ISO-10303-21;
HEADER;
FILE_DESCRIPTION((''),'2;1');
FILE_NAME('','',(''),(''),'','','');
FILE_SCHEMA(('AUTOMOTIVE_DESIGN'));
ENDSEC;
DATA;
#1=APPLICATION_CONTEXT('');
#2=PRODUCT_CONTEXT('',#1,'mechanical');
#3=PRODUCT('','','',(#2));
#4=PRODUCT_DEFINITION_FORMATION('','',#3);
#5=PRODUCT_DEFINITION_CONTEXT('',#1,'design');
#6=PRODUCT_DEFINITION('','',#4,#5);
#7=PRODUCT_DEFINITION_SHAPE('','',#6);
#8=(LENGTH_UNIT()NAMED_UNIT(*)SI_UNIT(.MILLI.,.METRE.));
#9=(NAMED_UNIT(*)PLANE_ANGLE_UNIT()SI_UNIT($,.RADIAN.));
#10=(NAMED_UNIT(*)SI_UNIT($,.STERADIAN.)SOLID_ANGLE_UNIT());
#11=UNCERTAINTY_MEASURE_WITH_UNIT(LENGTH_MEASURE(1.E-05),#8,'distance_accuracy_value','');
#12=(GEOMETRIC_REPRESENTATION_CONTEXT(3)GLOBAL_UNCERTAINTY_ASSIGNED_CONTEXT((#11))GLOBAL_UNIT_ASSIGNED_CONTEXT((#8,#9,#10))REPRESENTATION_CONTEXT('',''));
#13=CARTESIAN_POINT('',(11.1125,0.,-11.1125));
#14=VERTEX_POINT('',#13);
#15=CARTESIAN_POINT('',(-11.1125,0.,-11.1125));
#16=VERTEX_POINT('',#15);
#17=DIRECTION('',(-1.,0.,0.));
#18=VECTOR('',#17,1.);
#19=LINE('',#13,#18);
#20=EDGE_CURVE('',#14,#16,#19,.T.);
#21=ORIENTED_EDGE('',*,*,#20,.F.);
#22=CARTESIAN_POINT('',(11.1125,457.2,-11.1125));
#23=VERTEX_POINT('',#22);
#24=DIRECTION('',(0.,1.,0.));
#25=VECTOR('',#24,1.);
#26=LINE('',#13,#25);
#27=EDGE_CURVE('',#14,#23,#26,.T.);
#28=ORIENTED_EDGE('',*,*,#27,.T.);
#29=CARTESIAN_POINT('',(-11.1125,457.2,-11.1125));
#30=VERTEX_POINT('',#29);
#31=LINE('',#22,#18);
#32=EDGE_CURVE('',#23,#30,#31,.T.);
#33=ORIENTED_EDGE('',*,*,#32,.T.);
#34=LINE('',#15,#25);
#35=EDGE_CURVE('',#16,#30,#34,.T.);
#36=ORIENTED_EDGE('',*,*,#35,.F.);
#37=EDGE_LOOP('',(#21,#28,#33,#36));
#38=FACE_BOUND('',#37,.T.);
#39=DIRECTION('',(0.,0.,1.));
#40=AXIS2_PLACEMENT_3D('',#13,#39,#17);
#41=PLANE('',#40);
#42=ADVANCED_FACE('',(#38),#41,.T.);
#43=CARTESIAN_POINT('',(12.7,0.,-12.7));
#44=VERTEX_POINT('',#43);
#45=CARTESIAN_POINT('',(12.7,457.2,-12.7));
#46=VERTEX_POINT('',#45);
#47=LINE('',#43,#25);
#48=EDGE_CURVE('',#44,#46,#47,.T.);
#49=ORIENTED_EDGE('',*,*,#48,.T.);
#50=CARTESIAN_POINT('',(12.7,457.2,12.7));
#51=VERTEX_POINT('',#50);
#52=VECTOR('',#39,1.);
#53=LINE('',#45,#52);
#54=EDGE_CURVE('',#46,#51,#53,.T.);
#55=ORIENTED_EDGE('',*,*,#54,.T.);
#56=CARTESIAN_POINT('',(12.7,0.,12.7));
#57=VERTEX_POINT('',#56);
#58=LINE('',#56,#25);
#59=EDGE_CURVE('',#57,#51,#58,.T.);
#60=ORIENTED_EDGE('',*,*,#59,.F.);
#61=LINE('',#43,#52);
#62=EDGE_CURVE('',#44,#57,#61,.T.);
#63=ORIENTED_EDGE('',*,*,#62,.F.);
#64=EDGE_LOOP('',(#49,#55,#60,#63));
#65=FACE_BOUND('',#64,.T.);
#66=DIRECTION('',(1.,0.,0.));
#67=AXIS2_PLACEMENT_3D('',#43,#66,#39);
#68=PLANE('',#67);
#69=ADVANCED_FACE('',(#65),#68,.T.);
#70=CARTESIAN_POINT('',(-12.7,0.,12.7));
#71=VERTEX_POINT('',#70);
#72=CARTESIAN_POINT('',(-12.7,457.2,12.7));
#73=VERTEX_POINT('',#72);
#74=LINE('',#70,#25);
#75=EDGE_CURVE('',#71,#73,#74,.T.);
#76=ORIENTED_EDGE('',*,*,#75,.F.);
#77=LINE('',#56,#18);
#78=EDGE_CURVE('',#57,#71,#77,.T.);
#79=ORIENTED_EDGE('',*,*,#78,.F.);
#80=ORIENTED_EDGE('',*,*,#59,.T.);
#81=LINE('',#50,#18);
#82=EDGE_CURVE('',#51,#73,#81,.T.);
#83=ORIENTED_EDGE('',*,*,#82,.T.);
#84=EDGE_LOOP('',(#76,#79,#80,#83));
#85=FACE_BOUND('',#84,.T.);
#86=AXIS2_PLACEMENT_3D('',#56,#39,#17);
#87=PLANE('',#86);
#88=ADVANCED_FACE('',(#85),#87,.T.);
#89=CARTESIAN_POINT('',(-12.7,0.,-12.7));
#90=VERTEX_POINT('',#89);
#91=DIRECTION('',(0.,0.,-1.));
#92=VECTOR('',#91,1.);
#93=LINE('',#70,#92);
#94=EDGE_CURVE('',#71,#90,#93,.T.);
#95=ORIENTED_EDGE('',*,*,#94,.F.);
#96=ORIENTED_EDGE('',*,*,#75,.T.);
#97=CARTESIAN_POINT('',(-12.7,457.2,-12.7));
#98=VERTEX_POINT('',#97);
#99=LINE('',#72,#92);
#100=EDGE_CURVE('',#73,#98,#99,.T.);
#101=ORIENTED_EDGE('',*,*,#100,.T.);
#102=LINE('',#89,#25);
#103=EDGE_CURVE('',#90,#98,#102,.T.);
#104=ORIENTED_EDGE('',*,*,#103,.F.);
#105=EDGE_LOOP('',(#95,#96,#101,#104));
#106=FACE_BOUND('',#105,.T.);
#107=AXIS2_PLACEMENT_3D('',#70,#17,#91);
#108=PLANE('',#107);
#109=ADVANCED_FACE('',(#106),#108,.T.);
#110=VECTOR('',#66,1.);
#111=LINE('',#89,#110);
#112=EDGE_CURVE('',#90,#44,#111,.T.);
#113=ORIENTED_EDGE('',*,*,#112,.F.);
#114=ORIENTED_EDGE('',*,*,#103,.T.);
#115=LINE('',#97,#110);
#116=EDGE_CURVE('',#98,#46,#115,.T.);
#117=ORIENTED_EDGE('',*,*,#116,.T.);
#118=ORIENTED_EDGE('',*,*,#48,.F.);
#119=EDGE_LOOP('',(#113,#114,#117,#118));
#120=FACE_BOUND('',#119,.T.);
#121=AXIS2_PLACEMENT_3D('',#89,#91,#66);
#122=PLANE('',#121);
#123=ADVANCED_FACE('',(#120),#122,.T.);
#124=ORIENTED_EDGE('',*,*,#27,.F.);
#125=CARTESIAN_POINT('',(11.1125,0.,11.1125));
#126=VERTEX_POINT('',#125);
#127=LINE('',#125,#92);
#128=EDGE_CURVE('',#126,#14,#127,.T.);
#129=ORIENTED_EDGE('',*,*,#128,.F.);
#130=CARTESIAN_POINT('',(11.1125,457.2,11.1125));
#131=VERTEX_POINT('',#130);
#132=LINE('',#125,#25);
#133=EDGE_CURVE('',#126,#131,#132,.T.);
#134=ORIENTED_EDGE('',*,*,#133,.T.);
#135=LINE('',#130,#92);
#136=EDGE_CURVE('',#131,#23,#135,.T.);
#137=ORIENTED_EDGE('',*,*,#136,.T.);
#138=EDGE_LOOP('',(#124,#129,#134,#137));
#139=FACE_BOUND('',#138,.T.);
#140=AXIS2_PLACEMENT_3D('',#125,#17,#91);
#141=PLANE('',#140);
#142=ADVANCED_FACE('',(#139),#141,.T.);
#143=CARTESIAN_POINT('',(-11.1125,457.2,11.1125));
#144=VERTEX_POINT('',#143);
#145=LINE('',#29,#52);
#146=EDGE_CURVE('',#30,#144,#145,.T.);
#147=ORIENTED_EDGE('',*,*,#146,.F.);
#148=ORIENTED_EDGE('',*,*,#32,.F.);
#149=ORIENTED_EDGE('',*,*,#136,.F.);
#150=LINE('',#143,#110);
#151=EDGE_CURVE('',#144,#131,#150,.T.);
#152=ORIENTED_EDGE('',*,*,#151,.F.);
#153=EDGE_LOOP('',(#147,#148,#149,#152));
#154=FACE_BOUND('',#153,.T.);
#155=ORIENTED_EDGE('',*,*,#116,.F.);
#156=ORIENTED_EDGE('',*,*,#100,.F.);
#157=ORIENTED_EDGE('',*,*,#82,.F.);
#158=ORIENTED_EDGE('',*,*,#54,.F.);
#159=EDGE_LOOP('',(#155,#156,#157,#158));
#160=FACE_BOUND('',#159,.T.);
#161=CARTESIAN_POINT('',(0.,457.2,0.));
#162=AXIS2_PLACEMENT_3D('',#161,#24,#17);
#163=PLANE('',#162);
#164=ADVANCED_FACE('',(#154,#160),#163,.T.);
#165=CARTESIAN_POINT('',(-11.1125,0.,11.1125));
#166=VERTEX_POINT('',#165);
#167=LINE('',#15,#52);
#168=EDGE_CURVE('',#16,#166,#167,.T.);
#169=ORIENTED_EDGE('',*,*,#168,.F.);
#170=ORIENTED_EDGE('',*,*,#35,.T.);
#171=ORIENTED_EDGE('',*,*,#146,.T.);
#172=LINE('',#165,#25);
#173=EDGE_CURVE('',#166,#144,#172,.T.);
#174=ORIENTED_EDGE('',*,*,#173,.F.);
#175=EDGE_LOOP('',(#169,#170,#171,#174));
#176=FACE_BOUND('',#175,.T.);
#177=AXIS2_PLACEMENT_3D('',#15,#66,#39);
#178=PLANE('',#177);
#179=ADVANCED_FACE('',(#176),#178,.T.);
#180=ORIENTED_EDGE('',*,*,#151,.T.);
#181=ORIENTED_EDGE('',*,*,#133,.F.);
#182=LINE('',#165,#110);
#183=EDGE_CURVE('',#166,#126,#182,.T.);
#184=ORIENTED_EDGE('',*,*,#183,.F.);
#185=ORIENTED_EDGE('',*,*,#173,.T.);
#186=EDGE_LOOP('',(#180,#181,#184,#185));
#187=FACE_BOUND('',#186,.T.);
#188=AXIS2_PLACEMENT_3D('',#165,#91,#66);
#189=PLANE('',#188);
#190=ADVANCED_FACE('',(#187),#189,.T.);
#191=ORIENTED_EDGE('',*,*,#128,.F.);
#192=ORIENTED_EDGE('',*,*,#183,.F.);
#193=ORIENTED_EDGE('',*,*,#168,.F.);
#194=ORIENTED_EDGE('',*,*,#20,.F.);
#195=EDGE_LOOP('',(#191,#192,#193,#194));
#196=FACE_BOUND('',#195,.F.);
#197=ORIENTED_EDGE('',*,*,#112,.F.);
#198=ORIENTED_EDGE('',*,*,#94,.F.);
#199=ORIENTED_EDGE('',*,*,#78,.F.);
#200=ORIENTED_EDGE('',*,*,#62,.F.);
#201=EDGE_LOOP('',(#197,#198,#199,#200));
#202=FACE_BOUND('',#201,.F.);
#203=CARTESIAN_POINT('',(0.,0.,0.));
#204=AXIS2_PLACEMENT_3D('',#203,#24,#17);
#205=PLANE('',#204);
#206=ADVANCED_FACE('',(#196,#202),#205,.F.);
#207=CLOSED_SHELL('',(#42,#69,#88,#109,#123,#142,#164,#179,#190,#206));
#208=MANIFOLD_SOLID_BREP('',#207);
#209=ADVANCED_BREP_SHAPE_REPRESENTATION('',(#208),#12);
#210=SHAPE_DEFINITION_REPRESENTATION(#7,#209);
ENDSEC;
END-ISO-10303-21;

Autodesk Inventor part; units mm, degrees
ref_plane "YZ Plane" through (0, 0, 0) normal (1, 0, 0) x (0, 1, 0)
ref_plane "XZ Plane" through (0, 0, 0) normal (0, 1, 0) x (-1, 0, 0)
ref_plane "XY Plane" through (0, 0, 0) normal (0, 0, 1) x (1, 0, 0)
sketch "Sketch1" plane through (0, 0, 0) normal (0, 1, 0) x (-1, 0, 0)
  line L0 (-12.7, 12.7) -> (12.7, 12.7)
  line L1 (12.7, 12.7) -> (12.7, -12.7)
  line L2 (12.7, -12.7) -> (-12.7, -12.7)
  line L3 (-12.7, -12.7) -> (-12.7, 12.7)
  line L4 (-12.7, 12.7) -> (12.7, -12.7) construction
  line L5 (12.7, 12.7) -> (-12.7, -12.7) construction
  line L6 (11.1125, 11.1125) -> (-11.1125, 11.1125)
  line L7 (-11.1125, 11.1125) -> (-11.1125, -11.1125)
  line L8 (-11.1125, -11.1125) -> (11.1125, -11.1125)
  line L9 (11.1125, -11.1125) -> (11.1125, 11.1125)
  line L10 (11.1125, 11.1125) -> (-11.1125, -11.1125) construction
  line L11 (-11.1125, 11.1125) -> (11.1125, -11.1125) construction
  point P0 (0, 0)
  dimension "d0" = 25.4
  dimension "d1" = 25.4
  dimension "d2" = 22.225
  dimension "d3" = 22.225
extrude "Extrusion1" add sketch "Sketch1" along normal blind 457.2
properties part number "1x1 Top Frame" material "Aluminum 6061"
